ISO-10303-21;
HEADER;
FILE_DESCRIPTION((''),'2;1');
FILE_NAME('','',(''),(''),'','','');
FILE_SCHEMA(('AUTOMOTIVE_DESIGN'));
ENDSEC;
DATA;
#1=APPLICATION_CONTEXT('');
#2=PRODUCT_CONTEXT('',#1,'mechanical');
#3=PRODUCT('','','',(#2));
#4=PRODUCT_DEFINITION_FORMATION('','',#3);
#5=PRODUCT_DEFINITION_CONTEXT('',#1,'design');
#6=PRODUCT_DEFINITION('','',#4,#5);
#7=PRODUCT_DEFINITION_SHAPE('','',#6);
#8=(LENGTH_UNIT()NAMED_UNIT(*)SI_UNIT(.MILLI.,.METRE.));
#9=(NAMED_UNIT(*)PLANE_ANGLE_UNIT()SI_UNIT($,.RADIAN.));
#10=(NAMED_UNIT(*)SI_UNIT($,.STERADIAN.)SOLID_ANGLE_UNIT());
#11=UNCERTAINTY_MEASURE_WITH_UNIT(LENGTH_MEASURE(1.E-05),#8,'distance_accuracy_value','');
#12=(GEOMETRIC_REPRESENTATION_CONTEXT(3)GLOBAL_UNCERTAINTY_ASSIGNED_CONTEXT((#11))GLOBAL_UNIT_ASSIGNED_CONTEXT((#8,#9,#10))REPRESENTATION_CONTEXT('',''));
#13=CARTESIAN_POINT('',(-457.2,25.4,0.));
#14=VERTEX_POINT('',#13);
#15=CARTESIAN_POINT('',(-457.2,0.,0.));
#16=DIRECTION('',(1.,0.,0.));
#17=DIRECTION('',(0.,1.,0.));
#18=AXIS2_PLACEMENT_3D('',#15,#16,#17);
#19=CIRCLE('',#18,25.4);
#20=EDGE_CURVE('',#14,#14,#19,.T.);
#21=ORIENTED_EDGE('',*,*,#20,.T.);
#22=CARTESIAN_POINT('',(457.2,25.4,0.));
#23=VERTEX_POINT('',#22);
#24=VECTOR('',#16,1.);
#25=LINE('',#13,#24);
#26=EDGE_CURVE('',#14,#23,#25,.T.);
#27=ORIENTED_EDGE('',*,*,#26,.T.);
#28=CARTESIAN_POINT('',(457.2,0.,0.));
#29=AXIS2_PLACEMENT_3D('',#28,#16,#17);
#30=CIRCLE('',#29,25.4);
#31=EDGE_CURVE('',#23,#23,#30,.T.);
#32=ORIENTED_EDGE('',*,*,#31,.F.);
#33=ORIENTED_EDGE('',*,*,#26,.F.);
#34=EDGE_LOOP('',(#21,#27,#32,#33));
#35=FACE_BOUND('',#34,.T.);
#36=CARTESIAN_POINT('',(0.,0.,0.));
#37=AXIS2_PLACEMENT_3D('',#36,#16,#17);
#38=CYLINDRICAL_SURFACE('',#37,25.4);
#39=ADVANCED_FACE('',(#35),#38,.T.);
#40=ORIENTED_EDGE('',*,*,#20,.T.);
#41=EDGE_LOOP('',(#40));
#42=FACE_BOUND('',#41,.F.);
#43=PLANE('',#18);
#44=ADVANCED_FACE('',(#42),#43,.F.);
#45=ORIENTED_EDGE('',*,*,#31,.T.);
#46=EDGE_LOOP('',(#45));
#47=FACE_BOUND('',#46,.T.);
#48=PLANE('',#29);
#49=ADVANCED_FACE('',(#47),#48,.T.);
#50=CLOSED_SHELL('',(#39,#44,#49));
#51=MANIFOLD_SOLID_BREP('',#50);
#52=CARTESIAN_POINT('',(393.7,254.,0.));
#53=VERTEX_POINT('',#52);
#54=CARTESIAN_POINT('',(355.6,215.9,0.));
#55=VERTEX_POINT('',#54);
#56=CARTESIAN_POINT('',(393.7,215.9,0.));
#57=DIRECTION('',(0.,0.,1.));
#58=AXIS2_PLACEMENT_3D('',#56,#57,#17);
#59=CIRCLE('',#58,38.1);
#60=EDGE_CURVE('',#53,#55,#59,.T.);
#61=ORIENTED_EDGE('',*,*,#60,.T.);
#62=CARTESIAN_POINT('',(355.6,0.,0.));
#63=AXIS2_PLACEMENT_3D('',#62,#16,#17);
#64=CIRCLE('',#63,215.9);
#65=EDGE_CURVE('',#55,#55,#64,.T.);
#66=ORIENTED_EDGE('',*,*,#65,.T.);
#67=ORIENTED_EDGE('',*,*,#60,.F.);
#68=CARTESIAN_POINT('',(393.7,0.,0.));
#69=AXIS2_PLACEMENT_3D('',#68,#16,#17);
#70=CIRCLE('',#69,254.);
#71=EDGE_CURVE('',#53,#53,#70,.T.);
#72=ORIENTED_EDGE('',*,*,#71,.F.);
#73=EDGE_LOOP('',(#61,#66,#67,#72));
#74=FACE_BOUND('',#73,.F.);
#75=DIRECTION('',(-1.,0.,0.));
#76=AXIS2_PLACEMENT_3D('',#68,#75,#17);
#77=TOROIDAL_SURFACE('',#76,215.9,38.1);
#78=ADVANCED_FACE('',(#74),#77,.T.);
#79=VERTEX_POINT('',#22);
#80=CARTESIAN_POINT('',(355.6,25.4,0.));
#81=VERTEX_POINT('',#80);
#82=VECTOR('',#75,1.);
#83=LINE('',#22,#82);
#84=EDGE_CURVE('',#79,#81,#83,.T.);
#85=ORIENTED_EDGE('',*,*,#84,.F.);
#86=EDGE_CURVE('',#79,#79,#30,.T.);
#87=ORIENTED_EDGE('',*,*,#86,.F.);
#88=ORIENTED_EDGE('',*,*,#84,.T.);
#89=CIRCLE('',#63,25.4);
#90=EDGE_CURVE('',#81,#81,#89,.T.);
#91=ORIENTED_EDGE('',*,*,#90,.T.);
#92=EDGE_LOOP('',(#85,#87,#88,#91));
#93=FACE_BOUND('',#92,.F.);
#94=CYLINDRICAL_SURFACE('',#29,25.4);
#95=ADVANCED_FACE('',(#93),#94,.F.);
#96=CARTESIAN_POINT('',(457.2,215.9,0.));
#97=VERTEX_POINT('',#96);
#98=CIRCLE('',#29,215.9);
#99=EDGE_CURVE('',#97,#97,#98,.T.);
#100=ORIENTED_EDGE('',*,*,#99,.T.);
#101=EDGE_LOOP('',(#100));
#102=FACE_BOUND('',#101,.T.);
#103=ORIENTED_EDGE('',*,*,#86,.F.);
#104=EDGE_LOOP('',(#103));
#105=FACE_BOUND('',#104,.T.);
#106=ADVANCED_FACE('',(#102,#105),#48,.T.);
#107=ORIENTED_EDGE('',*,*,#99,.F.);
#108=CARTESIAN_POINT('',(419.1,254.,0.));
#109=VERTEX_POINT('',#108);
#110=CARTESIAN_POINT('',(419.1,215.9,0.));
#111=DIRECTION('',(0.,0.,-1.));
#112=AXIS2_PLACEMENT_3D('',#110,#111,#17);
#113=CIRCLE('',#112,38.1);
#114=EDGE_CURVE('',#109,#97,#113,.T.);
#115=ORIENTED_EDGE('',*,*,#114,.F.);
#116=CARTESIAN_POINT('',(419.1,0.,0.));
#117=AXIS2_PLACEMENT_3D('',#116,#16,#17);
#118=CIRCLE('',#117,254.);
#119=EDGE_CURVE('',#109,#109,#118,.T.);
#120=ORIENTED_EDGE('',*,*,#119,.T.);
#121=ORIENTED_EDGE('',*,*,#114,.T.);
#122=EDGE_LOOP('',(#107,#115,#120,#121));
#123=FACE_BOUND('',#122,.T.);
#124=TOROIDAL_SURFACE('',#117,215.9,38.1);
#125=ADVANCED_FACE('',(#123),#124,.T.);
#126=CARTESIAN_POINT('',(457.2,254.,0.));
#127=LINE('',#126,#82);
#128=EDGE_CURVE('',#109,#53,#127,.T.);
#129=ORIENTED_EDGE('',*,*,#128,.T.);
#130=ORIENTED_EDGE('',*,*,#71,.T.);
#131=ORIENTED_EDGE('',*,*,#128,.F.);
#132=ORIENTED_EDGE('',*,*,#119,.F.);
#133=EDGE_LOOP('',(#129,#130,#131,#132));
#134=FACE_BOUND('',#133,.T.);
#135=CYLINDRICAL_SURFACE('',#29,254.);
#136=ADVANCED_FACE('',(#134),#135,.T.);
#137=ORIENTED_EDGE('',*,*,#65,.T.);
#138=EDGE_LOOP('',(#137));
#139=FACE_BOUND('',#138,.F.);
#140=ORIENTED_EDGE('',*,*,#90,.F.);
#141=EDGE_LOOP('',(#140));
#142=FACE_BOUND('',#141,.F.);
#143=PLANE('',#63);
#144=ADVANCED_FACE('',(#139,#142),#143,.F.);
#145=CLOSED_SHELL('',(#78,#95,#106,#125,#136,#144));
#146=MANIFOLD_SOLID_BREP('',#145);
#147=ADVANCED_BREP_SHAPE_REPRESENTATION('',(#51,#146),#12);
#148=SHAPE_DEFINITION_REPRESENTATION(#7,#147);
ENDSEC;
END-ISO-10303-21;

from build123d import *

# Parameters (mm, degrees)
F0_R     = 25.4
F1_DEPTH = 457.2
F2_R     = 254
F2_R_2   = 25.4
F3_DEPTH = 101.6
F4_R     = 38.1


with BuildPart() as f1:
    # F0 (on Right) → F1 (new body, symmetric)
    with BuildSketch(Plane.YZ):
        Circle(F0_R)
    extrude(amount=F1_DEPTH, both=True)


with BuildPart() as f3:
    # F2 (on face) → F3 (new body)
    with BuildSketch(Plane.YZ.offset(457.2)):
        Circle(F2_R)
        Circle(F2_R_2, mode=Mode.SUBTRACT)
    extrude(amount=-F3_DEPTH)

    # F4
    f4_edges = [f3.edges().sort_by_distance(p)[0] for p in [
        (457.2, -254, 0),
        (355.6, -254, 0),
    ]]
    fillet(f4_edges, radius=F4_R)


solid = Compound([f1.part, f3.part])
